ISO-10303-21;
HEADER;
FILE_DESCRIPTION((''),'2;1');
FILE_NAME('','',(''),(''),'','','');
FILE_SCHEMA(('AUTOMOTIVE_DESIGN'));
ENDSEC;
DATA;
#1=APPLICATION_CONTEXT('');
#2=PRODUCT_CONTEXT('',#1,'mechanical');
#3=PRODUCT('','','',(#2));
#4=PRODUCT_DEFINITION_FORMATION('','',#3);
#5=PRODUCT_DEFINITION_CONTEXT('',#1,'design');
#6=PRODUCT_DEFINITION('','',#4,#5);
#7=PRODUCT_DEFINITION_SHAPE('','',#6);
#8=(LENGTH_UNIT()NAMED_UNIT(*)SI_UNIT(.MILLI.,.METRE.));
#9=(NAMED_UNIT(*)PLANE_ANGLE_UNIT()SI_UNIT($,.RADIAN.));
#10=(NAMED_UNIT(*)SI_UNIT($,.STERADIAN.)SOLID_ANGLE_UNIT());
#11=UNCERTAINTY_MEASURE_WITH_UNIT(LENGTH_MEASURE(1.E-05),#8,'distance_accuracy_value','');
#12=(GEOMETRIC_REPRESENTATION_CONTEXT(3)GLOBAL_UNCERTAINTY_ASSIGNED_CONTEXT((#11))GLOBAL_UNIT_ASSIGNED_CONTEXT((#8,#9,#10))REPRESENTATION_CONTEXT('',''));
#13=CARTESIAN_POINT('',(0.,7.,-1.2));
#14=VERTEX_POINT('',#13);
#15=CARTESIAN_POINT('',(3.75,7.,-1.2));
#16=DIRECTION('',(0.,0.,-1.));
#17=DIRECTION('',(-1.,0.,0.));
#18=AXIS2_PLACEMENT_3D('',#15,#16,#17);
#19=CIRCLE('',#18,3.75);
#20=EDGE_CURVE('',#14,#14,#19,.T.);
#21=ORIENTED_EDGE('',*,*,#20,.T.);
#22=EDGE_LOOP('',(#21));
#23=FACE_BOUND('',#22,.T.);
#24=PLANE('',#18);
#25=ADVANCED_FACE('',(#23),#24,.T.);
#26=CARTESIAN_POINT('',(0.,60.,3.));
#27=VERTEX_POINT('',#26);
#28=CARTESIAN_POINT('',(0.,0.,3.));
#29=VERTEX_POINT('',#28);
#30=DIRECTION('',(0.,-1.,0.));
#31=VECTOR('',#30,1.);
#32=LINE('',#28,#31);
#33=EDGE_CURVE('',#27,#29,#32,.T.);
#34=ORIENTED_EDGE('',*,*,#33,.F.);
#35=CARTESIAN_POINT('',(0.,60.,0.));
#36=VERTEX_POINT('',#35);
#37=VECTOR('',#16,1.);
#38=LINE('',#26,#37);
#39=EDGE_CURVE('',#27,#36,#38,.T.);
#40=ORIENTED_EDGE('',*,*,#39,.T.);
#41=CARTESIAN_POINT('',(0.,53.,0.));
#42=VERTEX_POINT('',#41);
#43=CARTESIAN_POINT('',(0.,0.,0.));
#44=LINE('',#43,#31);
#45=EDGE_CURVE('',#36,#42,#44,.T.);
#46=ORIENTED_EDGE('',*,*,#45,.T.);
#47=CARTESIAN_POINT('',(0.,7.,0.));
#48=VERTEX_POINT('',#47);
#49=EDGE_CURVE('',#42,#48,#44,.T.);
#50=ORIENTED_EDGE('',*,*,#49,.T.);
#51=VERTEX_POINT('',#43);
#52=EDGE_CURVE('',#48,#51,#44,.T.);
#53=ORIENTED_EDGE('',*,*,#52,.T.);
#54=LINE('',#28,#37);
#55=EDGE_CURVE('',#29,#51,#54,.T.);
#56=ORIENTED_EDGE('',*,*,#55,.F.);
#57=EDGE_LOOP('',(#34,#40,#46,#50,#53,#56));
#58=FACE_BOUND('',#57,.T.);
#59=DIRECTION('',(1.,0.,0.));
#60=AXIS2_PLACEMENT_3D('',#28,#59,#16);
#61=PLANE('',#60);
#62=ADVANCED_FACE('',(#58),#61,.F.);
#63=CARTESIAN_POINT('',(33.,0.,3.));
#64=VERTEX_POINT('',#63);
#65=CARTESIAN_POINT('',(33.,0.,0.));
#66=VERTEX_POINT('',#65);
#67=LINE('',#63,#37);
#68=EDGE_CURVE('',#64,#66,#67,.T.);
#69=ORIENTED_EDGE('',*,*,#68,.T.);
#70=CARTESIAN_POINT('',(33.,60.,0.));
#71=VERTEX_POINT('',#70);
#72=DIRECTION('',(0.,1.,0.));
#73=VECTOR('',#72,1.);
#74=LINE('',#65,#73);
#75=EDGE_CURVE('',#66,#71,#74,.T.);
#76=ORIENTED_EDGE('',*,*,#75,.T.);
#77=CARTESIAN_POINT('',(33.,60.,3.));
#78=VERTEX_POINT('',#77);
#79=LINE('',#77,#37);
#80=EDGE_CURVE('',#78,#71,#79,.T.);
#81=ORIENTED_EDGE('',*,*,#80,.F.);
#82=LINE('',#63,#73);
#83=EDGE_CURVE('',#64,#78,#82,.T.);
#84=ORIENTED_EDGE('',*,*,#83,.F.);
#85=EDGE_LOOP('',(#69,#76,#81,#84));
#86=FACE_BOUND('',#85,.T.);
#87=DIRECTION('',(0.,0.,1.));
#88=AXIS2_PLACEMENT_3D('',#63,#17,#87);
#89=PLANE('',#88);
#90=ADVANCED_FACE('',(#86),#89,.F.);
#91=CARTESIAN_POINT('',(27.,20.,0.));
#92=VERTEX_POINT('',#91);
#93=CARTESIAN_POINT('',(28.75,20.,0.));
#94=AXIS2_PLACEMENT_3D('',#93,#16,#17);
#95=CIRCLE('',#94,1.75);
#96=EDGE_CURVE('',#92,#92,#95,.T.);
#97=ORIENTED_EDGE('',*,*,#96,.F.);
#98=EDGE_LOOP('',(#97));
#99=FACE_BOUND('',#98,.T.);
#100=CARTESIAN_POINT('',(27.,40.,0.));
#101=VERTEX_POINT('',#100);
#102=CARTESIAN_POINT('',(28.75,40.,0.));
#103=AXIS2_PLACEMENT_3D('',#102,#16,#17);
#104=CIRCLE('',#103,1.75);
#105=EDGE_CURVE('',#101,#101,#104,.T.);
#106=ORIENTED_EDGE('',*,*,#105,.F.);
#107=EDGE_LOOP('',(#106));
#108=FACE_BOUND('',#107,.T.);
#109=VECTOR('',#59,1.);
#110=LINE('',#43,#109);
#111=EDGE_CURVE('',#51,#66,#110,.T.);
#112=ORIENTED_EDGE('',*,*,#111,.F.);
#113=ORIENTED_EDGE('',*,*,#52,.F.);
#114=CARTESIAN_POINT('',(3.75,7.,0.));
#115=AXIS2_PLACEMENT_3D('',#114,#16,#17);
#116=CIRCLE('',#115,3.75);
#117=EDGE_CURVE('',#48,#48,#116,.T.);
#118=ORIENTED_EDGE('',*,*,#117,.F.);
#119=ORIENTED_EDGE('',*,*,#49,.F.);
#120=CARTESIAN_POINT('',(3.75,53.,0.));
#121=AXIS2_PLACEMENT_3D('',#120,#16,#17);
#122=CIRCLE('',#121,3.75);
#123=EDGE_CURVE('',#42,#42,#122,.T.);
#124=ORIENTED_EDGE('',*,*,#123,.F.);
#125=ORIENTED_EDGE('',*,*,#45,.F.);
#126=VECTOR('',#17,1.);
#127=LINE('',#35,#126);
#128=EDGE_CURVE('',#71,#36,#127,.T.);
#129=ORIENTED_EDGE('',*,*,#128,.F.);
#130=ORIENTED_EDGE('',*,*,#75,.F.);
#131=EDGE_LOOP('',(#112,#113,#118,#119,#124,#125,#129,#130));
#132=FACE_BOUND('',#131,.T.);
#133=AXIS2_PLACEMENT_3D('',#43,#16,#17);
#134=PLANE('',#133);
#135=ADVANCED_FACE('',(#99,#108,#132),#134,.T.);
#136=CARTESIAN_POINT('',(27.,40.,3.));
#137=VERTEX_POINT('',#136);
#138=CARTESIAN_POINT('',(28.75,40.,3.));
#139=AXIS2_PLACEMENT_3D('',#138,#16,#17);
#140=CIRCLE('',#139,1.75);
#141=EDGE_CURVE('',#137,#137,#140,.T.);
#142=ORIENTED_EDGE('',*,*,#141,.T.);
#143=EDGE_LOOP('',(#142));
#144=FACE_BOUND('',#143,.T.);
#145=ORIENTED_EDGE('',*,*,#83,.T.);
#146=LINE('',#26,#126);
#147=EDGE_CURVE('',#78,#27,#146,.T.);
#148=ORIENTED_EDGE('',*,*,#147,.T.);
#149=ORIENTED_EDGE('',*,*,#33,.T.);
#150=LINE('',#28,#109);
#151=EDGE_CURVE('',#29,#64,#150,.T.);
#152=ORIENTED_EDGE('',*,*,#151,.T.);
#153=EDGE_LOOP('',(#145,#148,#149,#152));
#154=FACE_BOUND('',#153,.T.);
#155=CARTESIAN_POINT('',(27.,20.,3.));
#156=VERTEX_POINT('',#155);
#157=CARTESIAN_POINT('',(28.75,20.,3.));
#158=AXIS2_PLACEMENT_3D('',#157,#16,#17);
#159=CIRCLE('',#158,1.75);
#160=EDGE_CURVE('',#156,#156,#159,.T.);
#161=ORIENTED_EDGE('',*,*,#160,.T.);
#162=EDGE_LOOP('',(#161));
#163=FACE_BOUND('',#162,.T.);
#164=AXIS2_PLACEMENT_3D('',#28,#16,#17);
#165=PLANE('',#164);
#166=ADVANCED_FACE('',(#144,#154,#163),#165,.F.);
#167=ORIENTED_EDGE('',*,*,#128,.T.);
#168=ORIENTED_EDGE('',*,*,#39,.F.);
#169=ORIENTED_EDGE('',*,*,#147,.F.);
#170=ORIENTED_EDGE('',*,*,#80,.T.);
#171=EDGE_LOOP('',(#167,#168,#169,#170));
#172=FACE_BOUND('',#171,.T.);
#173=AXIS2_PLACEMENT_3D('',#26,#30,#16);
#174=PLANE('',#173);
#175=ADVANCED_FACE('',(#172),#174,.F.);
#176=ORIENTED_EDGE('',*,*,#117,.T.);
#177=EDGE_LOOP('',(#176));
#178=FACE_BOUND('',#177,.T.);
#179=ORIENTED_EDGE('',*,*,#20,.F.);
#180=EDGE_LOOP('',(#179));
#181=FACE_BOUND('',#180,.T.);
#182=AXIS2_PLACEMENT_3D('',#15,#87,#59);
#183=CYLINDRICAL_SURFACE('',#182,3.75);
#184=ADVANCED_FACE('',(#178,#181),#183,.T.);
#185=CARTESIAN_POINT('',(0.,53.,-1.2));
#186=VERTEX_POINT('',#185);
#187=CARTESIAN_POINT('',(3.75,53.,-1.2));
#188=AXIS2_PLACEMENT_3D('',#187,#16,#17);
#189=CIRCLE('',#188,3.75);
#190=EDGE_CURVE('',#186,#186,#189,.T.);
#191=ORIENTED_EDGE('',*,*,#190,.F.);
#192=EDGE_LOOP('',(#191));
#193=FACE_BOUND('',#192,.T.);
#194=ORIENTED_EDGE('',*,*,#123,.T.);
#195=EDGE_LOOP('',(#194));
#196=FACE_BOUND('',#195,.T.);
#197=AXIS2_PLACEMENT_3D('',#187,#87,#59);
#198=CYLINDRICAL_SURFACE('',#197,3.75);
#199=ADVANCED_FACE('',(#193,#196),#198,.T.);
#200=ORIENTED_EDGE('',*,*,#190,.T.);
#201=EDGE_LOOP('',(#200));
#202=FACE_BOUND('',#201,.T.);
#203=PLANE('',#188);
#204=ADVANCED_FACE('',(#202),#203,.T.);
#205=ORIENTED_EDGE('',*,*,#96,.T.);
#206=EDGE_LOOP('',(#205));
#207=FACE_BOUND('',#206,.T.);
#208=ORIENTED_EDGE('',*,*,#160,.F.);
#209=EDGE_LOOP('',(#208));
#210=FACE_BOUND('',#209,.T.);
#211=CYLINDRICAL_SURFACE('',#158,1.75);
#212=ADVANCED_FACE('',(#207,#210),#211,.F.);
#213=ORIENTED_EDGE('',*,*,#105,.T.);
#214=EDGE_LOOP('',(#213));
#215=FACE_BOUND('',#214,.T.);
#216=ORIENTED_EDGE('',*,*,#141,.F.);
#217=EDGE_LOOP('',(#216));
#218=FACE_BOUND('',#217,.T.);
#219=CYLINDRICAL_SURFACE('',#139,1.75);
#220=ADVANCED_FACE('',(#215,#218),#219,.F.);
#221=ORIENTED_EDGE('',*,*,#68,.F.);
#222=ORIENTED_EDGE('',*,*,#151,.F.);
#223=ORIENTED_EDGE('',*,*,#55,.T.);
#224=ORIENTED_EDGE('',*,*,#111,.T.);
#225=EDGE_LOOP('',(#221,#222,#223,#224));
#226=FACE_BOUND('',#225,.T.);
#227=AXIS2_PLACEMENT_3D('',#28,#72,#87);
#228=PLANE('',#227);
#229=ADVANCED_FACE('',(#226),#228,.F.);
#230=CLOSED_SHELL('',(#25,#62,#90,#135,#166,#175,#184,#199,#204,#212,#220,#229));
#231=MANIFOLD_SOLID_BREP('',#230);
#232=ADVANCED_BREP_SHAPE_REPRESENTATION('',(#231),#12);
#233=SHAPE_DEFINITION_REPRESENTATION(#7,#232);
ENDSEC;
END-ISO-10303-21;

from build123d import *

# Parameters (mm, degrees)
ESQUISSE1_W             = 33
ESQUISSE1_H             = 60
BOSS_EXTRU_1_DEPTH      = 3
ESQUISSE3_R             = 3.75
BOSS_EXTRU_2_DEPTH      = 1.2
ESQUISSE4_R             = 1.75
ENL_V_MAT_EXTRU_1_DEPTH = 69.541957953


with BuildPart() as part:
    # Esquisse1 → Boss.-Extru.1 (new body)
    with BuildSketch(Plane.XY):
        with Locations((16.5, 30)):
            Rectangle(ESQUISSE1_W, ESQUISSE1_H)
    extrude(amount=BOSS_EXTRU_1_DEPTH)

    # Esquisse3 → Boss.-Extru.2 (add)
    with BuildSketch(Plane(origin=(0, 0, 0), x_dir=(-1, 0, 0), z_dir=(0, 0, -1))):
        with Locations((-3.75, 53)):
            Circle(ESQUISSE3_R)
        with Locations((-3.75, 7)):
            Circle(ESQUISSE3_R)
    extrude(amount=BOSS_EXTRU_2_DEPTH)

    # Esquisse4 → Enlèv. mat.-Extru.1 (cut, through all)
    with BuildSketch(Plane(origin=(0, 0, 0), x_dir=(-1, 0, 0), z_dir=(0, 0, -1))):
        with Locations((-28.75, 40)):
            Circle(ESQUISSE4_R)
        with Locations((-28.75, 20)):
            Circle(ESQUISSE4_R)
    extrude(amount=-ENL_V_MAT_EXTRU_1_DEPTH, mode=Mode.SUBTRACT)


solid = part.part
